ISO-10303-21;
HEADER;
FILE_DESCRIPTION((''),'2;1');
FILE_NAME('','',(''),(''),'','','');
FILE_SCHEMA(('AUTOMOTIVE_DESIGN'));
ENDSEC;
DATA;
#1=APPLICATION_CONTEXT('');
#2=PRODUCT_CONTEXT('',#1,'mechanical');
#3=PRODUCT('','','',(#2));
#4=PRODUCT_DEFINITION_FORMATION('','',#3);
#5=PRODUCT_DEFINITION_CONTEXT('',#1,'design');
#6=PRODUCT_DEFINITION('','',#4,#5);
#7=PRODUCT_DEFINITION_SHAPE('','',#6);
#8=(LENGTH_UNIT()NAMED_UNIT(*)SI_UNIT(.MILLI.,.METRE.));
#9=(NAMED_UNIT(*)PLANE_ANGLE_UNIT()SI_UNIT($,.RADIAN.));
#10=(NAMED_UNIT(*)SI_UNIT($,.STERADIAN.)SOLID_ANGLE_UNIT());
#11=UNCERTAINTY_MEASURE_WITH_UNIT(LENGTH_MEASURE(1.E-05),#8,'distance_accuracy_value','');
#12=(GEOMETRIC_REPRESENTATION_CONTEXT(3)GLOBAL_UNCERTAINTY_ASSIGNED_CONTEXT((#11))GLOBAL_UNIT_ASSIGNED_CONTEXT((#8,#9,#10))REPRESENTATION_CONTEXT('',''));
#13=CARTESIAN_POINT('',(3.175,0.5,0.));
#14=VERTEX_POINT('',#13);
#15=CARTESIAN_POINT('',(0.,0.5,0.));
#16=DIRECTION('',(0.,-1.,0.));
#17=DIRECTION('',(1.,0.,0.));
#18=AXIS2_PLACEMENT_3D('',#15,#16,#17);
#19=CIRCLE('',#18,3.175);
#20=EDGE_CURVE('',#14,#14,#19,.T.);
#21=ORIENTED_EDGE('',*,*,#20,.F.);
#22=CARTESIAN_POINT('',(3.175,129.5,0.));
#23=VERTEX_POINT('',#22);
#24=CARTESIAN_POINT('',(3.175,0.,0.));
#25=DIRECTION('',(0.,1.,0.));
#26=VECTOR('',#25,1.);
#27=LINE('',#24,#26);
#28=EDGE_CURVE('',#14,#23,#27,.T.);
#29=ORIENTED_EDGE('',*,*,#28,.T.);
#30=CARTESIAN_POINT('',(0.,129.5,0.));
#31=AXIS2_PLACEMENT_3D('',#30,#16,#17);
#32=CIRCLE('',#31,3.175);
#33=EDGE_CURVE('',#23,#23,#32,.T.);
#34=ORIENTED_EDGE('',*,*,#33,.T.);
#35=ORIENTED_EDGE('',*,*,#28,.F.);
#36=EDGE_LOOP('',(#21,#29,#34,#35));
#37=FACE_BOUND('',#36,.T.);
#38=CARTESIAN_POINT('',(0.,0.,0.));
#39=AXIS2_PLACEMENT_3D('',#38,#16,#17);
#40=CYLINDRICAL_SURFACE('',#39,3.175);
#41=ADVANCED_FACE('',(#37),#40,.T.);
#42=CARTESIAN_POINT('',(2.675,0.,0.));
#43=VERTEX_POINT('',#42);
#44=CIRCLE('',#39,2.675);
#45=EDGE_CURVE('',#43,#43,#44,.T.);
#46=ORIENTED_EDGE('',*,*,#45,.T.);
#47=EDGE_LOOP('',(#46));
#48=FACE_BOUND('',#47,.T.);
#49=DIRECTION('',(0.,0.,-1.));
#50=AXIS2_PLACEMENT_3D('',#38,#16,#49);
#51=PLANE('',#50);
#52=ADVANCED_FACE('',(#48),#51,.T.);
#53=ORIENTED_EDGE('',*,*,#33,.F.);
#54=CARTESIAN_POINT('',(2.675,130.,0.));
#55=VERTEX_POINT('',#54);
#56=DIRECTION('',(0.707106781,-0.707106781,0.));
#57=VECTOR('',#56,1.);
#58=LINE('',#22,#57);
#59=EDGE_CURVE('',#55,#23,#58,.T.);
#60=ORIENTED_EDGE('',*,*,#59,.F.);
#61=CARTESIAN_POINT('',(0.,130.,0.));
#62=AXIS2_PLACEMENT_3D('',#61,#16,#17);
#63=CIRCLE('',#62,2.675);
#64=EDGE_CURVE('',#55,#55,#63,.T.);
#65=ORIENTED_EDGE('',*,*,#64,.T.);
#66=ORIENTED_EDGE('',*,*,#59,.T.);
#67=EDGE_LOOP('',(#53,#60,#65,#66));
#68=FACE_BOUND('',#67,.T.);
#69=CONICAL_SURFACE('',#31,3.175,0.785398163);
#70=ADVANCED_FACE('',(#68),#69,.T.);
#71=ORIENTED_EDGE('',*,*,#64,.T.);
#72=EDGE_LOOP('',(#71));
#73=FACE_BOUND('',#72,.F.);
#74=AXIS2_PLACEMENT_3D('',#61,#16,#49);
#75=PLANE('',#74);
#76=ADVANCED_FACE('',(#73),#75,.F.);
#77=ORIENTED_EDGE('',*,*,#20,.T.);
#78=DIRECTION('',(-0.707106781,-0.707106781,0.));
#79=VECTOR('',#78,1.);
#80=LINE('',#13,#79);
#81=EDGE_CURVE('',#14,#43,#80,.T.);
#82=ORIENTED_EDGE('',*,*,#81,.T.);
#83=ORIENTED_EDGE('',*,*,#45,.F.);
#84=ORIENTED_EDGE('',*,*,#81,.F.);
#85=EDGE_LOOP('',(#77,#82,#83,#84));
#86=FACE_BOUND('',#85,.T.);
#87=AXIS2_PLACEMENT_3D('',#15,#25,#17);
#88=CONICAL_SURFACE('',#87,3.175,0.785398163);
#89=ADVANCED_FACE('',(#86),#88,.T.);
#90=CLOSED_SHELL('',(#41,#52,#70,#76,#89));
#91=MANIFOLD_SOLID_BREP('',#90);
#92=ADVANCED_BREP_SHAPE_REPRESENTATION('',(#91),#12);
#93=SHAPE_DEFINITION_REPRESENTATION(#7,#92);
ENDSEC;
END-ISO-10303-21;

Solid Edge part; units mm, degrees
sketch "Sketch1" plane through (0, 0, 0) normal (0, -1, 0) x (1, 0, 0)
  circle A0 centre (0, 0) radius 3.175
extrude "Protrusion1" add sketch "Sketch1" against normal blind 130
chamfer "Chamfer_2" distance 0.5 angle 45 2 edges at (-3.175, 0, 0) (-3.175, 130, 0) measured on face at (-2.0532, 130, 2.1802)
cosmetic_thread "Thread1" size "1/4-20 UNC"
